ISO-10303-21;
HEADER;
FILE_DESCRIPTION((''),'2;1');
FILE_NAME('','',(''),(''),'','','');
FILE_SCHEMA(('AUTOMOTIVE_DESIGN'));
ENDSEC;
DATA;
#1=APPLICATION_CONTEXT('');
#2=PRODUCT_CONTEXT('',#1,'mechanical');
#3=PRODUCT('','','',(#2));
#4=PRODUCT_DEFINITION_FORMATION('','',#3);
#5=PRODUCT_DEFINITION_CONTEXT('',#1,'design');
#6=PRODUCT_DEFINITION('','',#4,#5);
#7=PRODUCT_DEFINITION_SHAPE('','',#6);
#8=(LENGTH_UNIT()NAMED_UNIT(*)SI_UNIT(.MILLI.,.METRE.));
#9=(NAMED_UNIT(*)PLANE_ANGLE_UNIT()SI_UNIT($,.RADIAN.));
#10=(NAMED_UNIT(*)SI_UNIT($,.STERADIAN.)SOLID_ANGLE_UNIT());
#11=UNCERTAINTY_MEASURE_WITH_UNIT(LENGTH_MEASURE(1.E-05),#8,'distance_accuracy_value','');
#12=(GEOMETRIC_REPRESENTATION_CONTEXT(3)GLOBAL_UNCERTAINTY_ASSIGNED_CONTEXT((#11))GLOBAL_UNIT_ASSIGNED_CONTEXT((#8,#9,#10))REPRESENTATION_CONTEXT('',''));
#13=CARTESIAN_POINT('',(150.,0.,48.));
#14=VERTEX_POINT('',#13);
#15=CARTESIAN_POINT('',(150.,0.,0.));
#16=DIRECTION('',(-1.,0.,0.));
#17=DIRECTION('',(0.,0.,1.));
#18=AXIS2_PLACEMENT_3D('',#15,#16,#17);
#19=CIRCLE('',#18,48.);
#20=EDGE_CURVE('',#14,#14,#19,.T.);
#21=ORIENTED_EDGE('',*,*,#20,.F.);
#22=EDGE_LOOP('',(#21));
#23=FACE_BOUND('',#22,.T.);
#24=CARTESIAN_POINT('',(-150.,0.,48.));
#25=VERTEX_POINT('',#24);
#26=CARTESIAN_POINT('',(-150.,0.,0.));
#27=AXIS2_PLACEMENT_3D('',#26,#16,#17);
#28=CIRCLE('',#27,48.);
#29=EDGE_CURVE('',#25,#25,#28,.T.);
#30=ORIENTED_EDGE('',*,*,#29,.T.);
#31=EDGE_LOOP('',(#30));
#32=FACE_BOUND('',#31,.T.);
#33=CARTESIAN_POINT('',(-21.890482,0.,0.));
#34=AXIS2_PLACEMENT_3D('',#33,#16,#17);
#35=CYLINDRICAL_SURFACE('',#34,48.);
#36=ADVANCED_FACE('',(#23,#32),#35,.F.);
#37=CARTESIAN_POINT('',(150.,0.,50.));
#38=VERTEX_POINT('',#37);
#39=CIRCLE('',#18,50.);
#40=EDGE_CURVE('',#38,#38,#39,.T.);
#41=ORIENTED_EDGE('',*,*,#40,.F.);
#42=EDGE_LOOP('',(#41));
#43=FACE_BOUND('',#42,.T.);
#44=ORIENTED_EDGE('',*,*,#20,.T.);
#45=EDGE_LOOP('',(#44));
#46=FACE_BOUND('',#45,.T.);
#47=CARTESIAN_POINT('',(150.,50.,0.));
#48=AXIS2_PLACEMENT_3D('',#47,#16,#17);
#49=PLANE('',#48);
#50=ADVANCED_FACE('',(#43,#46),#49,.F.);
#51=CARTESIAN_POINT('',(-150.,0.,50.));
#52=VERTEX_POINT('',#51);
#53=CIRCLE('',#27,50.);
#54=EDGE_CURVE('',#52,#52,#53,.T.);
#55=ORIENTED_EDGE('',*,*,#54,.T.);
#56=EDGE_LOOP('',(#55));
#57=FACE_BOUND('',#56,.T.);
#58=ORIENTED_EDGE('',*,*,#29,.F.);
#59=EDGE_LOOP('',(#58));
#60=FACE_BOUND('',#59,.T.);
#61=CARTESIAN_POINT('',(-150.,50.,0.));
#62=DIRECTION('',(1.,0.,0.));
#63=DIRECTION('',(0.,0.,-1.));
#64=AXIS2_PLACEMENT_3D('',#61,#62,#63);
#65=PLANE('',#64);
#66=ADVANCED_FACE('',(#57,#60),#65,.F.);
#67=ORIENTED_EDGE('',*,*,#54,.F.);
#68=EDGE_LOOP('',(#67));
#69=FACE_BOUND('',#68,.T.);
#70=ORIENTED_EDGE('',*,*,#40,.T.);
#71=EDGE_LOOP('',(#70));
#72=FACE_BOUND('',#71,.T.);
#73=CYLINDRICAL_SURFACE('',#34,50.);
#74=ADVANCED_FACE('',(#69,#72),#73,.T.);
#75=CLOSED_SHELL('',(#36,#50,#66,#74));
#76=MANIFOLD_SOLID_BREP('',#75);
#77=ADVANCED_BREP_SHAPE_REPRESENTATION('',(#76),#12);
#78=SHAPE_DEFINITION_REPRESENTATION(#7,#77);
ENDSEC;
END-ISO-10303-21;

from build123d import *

# Parameters (mm, degrees)
BEAMSKETCH_W = 300
BEAMSKETCH_H = 2


with BuildPart() as part:
    # BeamSketch → Beam (revolve)
    with BuildSketch(Plane.XY, mode=Mode.PRIVATE) as beam_sk:
        with Locations((0, 49)):
            Rectangle(BEAMSKETCH_W, BEAMSKETCH_H)
    revolve(beam_sk.sketch.rotate(Axis((-21.890481714, 0, 0), (1, 0, 0)), 90), axis=Axis((-21.890481714, 0, 0), (1, 0, 0)))


solid = part.part
